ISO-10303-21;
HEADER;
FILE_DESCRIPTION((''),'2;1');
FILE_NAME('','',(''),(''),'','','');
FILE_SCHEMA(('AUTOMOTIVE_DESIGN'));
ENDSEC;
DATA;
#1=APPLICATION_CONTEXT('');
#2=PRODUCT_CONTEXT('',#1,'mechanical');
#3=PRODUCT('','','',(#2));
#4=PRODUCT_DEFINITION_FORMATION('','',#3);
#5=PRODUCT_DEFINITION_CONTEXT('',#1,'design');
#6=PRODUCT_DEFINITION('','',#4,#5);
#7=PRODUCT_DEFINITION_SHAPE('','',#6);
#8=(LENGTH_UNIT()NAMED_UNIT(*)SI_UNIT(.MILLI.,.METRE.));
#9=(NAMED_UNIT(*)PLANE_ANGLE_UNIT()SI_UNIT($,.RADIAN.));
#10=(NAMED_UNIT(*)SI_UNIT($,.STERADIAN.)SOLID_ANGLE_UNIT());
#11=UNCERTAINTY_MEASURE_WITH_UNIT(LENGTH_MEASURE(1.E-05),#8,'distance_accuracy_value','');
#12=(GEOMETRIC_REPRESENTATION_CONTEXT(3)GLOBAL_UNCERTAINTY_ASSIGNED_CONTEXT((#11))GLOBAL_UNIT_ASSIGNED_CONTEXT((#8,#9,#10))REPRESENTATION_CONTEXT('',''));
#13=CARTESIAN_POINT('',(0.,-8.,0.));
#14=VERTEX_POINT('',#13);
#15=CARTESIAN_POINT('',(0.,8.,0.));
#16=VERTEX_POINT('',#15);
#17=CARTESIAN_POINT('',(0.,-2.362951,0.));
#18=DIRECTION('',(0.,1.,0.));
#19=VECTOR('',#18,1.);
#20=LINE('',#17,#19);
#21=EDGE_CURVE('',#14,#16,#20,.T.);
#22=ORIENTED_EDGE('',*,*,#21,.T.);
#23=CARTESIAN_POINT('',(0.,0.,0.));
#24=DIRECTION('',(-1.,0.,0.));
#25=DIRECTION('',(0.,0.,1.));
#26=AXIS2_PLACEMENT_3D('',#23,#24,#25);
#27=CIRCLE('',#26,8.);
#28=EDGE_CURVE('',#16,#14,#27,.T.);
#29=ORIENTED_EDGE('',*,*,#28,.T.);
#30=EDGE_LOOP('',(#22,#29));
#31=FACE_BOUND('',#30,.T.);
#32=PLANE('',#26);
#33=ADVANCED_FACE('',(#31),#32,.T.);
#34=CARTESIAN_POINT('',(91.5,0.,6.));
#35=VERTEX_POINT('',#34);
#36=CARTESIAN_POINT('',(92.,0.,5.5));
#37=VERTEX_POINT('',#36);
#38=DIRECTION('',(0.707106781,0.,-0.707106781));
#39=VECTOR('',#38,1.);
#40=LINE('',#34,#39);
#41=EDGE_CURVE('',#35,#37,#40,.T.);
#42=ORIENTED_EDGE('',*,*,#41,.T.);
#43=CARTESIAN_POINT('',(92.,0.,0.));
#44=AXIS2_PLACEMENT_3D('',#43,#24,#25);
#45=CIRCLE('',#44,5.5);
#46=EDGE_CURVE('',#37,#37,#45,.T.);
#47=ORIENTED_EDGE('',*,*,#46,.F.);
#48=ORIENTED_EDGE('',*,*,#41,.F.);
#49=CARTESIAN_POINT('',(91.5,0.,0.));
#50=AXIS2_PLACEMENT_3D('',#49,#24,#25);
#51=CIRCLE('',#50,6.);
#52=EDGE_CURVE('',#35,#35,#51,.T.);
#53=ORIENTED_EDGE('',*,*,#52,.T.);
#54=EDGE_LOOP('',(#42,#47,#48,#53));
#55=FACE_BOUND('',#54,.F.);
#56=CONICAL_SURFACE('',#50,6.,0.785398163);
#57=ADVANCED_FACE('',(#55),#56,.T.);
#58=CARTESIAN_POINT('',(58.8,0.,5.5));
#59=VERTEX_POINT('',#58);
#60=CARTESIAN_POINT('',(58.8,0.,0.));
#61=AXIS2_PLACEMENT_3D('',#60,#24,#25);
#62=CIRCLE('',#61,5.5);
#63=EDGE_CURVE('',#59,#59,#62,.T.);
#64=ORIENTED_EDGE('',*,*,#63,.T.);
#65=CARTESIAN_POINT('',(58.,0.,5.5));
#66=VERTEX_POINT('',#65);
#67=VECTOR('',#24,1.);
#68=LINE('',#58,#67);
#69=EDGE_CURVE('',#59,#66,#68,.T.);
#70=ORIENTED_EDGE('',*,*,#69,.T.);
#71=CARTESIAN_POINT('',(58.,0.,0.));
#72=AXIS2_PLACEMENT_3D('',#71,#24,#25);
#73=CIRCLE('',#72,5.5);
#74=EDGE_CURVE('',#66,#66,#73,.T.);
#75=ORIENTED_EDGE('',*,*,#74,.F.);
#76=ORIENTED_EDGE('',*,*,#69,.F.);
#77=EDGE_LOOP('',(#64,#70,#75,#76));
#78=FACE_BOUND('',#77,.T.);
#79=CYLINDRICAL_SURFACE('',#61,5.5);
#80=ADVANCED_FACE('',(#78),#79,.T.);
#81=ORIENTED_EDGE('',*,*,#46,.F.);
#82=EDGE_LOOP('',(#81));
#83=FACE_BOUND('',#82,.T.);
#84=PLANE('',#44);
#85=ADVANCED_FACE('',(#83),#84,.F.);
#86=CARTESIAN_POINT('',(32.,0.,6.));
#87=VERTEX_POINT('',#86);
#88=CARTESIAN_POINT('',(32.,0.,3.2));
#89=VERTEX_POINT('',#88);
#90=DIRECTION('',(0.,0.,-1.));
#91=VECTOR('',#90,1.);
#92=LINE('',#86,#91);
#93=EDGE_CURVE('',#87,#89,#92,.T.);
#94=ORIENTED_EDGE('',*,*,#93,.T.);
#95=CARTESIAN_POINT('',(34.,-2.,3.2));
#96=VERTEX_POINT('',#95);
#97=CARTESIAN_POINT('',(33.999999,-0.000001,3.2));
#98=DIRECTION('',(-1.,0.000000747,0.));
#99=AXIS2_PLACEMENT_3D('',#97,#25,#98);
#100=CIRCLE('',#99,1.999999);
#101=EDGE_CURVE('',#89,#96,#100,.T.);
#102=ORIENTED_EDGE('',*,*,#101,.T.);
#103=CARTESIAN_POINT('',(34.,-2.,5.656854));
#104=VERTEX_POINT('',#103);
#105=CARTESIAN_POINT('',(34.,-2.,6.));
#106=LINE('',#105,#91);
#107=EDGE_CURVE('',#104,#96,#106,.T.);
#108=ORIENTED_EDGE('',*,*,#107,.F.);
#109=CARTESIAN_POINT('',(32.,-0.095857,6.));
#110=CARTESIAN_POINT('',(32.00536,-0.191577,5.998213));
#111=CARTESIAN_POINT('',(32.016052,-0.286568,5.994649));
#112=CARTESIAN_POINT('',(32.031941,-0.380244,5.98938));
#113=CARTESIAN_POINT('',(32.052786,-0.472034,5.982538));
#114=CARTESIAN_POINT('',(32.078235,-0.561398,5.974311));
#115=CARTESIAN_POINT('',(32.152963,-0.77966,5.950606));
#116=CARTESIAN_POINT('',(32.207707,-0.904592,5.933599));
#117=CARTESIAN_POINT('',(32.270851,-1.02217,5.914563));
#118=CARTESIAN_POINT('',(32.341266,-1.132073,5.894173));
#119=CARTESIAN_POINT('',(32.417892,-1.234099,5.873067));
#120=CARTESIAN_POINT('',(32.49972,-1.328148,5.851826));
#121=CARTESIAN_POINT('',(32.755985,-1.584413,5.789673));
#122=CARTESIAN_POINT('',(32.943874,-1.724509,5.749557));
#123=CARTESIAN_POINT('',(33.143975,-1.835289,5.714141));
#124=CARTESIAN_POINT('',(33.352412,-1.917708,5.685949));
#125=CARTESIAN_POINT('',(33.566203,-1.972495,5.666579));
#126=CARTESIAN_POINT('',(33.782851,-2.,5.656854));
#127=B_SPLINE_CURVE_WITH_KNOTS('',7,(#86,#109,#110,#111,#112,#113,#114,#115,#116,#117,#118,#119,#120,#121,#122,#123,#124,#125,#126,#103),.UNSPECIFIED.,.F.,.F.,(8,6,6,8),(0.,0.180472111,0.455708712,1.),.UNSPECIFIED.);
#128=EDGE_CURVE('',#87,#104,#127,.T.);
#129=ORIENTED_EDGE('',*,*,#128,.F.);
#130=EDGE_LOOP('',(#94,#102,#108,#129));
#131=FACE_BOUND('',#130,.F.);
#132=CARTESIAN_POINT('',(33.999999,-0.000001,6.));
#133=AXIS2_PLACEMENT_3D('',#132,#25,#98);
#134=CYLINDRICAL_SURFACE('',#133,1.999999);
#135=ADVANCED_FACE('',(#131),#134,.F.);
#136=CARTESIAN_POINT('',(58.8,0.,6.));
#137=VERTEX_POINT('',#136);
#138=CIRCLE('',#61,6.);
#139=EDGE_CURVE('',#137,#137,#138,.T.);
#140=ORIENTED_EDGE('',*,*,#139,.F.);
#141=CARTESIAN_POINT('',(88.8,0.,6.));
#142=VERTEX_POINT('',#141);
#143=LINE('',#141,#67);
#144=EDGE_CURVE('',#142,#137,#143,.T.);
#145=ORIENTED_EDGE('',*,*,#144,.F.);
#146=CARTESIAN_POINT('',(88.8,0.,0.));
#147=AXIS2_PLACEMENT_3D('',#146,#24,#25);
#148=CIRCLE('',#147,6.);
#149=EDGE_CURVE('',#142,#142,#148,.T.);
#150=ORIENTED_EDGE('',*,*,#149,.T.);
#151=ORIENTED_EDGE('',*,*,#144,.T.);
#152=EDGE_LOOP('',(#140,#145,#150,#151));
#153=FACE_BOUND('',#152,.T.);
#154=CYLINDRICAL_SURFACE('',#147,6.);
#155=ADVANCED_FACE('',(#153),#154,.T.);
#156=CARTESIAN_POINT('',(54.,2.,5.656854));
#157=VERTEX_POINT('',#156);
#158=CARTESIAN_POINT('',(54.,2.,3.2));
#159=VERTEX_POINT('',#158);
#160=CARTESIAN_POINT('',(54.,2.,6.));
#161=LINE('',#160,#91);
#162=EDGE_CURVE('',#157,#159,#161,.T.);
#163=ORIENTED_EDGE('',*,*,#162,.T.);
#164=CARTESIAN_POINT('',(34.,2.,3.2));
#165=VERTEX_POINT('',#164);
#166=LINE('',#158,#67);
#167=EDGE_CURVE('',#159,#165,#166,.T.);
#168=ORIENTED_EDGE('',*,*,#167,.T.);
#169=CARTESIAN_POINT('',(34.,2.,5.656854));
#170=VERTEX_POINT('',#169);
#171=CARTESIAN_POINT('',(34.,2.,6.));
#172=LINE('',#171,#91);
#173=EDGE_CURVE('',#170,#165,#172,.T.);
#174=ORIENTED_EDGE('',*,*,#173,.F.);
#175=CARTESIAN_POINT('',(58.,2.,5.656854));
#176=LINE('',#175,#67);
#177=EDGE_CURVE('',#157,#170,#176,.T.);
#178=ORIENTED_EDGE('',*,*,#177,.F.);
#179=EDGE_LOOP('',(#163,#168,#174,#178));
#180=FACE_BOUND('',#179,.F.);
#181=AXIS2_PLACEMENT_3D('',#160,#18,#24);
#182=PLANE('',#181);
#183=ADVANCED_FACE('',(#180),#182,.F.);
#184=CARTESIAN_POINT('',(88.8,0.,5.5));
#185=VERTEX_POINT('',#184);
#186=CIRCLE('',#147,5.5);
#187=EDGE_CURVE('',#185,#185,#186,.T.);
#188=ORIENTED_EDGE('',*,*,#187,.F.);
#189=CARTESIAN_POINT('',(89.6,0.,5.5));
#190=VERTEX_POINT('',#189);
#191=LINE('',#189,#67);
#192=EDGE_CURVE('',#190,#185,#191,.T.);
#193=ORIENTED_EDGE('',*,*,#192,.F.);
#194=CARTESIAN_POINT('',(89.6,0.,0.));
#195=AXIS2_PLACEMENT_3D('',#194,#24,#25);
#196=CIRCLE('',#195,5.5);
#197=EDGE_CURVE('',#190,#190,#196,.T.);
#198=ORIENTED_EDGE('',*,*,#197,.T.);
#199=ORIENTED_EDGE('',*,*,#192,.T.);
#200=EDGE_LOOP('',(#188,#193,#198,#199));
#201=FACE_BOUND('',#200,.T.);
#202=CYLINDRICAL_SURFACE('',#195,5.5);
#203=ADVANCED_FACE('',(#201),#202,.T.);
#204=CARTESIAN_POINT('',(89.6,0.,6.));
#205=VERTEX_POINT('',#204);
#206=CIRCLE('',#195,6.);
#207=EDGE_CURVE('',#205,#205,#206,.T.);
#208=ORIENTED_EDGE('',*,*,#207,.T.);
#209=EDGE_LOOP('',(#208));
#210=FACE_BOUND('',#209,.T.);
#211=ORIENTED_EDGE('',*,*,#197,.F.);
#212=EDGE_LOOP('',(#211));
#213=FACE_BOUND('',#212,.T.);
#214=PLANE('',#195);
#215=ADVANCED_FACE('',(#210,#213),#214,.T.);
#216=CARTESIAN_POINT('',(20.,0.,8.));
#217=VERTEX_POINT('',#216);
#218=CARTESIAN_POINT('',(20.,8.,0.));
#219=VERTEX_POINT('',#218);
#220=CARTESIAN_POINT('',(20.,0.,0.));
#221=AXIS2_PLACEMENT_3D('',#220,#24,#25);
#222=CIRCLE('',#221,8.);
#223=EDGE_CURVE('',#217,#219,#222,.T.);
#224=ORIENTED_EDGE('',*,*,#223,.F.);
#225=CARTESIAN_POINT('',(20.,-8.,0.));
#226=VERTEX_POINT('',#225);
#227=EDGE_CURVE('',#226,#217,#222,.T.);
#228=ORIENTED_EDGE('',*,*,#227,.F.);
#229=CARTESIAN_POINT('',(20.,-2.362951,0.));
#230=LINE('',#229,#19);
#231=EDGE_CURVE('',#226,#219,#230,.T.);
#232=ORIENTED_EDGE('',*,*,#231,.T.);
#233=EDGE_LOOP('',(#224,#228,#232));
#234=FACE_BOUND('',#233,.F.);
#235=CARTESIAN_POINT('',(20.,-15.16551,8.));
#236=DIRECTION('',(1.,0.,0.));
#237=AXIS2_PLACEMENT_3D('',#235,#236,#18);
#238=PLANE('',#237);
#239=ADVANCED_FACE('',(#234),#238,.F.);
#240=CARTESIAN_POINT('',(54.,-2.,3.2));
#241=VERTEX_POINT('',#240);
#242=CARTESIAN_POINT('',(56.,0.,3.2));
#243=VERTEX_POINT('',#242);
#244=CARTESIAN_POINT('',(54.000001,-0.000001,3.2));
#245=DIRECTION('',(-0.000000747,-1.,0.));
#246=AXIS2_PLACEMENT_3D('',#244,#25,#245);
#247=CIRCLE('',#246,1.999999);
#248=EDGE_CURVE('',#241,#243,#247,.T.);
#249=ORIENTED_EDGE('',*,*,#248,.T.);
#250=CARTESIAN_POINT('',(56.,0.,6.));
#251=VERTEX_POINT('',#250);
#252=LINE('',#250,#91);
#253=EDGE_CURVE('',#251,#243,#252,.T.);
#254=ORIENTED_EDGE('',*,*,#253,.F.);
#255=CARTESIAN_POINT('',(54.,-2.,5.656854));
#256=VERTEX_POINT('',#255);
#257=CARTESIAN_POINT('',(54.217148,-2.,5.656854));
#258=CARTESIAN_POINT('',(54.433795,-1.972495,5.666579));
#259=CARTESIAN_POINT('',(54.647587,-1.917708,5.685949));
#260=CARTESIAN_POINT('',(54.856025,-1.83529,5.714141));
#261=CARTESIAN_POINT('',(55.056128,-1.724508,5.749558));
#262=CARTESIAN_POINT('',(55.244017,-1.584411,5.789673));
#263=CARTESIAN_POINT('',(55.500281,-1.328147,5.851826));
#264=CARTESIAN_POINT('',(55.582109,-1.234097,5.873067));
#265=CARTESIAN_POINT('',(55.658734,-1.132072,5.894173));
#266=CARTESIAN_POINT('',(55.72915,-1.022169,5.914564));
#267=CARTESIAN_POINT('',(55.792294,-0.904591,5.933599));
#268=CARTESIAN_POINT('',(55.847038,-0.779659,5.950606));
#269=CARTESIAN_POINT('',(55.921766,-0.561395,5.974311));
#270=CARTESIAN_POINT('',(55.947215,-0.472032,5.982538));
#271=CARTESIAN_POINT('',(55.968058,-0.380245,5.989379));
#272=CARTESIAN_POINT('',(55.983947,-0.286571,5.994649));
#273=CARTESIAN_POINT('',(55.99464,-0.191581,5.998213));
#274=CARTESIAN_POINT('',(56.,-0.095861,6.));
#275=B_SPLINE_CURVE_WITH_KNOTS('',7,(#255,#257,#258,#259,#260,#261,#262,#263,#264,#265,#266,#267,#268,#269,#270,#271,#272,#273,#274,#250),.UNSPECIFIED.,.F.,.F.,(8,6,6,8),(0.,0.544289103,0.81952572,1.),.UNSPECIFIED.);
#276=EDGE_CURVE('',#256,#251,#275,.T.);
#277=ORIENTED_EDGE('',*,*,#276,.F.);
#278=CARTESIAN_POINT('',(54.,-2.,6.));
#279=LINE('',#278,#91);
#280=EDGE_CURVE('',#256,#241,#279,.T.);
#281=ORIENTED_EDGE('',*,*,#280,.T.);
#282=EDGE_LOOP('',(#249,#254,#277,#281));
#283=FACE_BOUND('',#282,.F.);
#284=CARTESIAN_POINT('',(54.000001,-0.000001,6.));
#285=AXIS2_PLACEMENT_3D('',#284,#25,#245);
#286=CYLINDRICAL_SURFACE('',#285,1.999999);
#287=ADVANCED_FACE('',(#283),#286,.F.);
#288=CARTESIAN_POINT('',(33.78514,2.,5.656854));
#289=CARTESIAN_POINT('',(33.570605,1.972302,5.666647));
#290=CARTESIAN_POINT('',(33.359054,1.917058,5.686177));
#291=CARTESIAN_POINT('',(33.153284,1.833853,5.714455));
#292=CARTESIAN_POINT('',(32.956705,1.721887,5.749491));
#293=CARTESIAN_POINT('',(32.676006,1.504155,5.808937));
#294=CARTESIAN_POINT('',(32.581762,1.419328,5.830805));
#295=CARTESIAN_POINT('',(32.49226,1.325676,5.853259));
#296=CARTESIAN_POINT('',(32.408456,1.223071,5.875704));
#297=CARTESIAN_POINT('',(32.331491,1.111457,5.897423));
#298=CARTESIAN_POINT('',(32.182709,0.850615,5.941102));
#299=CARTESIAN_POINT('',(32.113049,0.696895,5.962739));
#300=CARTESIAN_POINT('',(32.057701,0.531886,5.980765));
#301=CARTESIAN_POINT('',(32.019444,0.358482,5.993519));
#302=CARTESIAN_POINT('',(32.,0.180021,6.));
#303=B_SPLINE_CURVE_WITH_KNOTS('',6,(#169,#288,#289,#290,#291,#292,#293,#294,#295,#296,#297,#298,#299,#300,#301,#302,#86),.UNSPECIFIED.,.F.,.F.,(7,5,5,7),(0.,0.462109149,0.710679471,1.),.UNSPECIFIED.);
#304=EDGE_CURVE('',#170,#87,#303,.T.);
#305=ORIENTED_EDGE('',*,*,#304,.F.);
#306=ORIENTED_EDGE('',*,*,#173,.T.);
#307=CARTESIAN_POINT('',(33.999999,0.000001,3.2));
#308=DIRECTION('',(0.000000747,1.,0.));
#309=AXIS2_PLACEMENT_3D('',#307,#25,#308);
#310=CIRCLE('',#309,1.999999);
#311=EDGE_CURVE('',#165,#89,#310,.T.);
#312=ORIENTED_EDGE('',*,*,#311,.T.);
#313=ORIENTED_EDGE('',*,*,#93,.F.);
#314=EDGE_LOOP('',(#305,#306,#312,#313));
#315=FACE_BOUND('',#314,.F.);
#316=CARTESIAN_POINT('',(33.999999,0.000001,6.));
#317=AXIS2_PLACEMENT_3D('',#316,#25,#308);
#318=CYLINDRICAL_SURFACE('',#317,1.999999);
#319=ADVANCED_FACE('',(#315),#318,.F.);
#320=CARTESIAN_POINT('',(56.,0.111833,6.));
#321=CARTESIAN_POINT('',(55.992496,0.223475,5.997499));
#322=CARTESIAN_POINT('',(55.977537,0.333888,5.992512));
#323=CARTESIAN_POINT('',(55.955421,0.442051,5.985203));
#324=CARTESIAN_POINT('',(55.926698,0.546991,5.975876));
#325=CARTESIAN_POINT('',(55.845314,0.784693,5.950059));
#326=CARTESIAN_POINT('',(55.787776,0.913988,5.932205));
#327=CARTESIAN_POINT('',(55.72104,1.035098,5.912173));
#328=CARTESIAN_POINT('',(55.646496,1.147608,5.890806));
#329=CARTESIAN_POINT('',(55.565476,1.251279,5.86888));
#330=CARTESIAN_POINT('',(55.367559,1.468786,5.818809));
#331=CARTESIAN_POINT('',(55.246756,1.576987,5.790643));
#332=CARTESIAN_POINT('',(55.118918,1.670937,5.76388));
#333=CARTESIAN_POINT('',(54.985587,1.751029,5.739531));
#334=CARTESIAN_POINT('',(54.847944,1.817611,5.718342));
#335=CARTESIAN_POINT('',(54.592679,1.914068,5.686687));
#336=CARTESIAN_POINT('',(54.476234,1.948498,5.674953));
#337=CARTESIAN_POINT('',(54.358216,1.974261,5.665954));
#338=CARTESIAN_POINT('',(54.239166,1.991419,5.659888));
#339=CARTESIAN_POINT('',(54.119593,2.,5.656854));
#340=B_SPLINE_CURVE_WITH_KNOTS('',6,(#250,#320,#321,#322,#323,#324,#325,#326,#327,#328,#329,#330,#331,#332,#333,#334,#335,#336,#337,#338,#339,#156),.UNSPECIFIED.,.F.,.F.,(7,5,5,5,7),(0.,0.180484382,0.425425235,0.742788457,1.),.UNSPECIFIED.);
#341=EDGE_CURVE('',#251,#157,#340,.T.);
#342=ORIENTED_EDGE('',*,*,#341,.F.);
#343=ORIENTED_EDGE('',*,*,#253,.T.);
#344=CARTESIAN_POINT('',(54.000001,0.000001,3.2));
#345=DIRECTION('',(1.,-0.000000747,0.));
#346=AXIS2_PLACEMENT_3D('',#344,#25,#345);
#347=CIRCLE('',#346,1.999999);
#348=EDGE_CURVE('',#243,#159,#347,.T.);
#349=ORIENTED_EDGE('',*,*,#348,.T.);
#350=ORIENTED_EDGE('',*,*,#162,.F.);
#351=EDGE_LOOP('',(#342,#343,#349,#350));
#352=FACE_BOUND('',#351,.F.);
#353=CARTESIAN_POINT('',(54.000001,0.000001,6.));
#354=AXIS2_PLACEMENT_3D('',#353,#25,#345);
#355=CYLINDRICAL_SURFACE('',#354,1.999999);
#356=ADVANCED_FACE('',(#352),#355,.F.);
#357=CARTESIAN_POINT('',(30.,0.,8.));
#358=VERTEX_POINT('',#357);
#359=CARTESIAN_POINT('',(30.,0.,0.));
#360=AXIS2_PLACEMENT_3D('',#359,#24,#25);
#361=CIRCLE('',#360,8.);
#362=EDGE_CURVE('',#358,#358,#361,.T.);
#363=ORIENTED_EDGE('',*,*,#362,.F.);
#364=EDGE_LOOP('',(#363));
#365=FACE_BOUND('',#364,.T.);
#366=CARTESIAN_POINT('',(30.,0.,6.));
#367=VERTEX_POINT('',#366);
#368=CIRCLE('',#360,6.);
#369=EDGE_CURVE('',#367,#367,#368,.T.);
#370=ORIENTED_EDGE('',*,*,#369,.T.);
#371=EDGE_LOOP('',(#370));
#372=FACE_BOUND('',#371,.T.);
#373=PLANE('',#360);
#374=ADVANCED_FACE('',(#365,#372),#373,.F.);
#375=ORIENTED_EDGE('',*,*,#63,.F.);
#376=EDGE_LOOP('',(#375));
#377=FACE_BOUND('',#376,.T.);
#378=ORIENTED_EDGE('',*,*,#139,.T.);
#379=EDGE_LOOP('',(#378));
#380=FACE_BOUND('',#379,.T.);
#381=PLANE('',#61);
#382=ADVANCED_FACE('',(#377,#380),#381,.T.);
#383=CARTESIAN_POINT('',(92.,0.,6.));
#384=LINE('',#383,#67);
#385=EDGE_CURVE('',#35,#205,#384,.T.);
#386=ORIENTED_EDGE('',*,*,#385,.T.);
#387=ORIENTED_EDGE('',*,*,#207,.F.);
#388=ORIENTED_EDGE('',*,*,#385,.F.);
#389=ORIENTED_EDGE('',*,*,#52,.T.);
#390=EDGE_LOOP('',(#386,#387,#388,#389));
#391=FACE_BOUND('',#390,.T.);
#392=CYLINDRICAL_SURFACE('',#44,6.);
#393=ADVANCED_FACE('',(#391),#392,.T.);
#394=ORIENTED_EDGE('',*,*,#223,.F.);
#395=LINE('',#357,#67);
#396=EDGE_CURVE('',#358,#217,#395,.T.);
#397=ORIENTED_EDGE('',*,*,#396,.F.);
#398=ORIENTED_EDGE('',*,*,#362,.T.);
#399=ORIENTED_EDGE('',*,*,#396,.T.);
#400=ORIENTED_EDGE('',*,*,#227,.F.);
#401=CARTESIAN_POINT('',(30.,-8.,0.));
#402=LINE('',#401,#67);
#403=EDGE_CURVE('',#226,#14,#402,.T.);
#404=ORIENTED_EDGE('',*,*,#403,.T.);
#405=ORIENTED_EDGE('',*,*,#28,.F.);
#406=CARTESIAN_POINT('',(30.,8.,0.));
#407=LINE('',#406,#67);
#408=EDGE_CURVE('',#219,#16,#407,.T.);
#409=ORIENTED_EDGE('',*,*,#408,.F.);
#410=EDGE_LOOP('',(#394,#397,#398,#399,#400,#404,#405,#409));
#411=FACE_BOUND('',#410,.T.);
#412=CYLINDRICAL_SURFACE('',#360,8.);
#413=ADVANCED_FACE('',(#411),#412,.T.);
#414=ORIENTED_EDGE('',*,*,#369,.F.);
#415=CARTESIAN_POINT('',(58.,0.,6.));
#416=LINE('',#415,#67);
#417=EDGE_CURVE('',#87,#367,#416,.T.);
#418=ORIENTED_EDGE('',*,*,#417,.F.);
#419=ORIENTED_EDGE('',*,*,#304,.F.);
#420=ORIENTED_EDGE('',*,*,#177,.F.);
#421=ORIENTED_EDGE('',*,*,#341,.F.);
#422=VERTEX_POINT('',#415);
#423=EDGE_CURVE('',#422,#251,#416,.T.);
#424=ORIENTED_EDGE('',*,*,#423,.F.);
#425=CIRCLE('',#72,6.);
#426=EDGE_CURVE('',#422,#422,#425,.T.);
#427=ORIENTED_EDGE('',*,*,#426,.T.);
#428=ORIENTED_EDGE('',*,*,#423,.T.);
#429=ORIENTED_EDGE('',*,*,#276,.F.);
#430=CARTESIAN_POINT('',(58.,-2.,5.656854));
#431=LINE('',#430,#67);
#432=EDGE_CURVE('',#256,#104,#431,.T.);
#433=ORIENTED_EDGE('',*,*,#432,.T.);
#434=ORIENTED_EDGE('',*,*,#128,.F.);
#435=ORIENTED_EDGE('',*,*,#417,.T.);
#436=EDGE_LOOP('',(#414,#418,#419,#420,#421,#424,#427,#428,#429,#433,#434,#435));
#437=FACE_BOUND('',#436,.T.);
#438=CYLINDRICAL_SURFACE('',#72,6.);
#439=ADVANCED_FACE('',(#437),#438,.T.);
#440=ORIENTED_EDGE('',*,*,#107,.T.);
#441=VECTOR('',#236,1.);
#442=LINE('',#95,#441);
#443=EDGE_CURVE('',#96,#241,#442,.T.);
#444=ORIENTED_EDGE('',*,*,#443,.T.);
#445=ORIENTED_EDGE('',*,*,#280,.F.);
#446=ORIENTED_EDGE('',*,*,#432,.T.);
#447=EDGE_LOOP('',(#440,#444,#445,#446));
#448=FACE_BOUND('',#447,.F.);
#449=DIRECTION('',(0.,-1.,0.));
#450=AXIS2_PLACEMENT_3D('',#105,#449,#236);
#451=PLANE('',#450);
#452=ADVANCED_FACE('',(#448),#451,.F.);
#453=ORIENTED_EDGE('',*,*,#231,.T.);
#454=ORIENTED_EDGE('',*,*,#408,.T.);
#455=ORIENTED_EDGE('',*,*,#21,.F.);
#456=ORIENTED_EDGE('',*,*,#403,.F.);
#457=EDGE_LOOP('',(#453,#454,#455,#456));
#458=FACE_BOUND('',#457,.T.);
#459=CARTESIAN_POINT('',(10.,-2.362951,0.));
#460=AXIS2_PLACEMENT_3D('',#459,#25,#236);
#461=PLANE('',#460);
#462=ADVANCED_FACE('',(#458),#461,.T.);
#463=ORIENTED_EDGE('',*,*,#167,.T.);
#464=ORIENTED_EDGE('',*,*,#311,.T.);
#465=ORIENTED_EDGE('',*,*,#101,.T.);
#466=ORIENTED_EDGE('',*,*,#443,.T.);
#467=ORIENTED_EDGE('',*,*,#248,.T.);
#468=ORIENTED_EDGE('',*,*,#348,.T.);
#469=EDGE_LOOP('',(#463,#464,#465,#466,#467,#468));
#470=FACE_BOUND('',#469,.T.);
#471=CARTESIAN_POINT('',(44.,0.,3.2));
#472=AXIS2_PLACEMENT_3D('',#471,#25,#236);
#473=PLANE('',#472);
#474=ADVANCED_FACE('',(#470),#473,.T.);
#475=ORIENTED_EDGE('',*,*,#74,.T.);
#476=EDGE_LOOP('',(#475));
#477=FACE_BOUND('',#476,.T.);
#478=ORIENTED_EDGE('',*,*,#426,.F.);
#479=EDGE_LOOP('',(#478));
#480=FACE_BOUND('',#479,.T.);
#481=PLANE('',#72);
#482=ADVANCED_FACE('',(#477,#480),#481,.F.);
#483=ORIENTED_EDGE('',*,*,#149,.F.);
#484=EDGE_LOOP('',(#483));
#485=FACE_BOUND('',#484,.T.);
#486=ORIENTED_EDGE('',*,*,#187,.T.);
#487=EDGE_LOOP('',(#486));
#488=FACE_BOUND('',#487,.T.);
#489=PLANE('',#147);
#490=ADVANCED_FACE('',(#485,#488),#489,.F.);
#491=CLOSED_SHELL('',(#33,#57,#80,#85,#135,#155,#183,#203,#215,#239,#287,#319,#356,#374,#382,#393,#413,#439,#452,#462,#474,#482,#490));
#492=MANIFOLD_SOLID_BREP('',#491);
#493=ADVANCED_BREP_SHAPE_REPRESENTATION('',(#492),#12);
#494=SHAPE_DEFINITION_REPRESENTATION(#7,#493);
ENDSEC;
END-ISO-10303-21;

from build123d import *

# Parameters (mm, degrees)
F4_W     = 20
F4_H     = 25.605118
F5_DEPTH = 8
F7_DEPTH = 2.8
F8_SIZE  = 0.5


with BuildPart() as f1:
    # F0 (on Front) → F1 (revolve)
    with BuildSketch(Plane.XZ):
        Polygon((0, 8), (0, 0), (92, 0), (92, 6), (89.6, 6), (89.6, 5.5), (88.8, 5.5), (88.8, 6), (58.8, 6), (58.8, 5.5), (58, 5.5), (58, 6), (30, 6), (30, 8), align=None)
    revolve(axis=Axis((46, 0, 0), (-1, 0, 0)))

    # F4 (on offset) → F5 (cut)
    with BuildSketch(Plane.XY.offset(8)):
        with Locations((10, -2.362951)):
            Rectangle(F4_W, F4_H)
    extrude(amount=-F5_DEPTH, mode=Mode.SUBTRACT)

    # F6 (on offset) → F7 (cut)
    with BuildSketch(Plane.XY.offset(6)):
        with BuildLine():
            Line((54, 2), (34, 2))
            ThreePointArc((34, 2), (32.585786, 1.414214), (32, 0))
            ThreePointArc((32, 0), (32.585786, -1.414214), (34, -2))
            Line((34, -2), (54, -2))
            ThreePointArc((54, -2), (55.414214, -1.414214), (56, 0))
            ThreePointArc((56, 0), (55.414214, 1.414214), (54, 2))
        make_face()
    extrude(amount=-F7_DEPTH, mode=Mode.SUBTRACT)

    # F8
    f8_edges = [f1.edges().sort_by_distance(p)[0] for p in [
        (92, 0, -6),
    ]]
    chamfer(f8_edges, length=F8_SIZE)


solid = f1.part
